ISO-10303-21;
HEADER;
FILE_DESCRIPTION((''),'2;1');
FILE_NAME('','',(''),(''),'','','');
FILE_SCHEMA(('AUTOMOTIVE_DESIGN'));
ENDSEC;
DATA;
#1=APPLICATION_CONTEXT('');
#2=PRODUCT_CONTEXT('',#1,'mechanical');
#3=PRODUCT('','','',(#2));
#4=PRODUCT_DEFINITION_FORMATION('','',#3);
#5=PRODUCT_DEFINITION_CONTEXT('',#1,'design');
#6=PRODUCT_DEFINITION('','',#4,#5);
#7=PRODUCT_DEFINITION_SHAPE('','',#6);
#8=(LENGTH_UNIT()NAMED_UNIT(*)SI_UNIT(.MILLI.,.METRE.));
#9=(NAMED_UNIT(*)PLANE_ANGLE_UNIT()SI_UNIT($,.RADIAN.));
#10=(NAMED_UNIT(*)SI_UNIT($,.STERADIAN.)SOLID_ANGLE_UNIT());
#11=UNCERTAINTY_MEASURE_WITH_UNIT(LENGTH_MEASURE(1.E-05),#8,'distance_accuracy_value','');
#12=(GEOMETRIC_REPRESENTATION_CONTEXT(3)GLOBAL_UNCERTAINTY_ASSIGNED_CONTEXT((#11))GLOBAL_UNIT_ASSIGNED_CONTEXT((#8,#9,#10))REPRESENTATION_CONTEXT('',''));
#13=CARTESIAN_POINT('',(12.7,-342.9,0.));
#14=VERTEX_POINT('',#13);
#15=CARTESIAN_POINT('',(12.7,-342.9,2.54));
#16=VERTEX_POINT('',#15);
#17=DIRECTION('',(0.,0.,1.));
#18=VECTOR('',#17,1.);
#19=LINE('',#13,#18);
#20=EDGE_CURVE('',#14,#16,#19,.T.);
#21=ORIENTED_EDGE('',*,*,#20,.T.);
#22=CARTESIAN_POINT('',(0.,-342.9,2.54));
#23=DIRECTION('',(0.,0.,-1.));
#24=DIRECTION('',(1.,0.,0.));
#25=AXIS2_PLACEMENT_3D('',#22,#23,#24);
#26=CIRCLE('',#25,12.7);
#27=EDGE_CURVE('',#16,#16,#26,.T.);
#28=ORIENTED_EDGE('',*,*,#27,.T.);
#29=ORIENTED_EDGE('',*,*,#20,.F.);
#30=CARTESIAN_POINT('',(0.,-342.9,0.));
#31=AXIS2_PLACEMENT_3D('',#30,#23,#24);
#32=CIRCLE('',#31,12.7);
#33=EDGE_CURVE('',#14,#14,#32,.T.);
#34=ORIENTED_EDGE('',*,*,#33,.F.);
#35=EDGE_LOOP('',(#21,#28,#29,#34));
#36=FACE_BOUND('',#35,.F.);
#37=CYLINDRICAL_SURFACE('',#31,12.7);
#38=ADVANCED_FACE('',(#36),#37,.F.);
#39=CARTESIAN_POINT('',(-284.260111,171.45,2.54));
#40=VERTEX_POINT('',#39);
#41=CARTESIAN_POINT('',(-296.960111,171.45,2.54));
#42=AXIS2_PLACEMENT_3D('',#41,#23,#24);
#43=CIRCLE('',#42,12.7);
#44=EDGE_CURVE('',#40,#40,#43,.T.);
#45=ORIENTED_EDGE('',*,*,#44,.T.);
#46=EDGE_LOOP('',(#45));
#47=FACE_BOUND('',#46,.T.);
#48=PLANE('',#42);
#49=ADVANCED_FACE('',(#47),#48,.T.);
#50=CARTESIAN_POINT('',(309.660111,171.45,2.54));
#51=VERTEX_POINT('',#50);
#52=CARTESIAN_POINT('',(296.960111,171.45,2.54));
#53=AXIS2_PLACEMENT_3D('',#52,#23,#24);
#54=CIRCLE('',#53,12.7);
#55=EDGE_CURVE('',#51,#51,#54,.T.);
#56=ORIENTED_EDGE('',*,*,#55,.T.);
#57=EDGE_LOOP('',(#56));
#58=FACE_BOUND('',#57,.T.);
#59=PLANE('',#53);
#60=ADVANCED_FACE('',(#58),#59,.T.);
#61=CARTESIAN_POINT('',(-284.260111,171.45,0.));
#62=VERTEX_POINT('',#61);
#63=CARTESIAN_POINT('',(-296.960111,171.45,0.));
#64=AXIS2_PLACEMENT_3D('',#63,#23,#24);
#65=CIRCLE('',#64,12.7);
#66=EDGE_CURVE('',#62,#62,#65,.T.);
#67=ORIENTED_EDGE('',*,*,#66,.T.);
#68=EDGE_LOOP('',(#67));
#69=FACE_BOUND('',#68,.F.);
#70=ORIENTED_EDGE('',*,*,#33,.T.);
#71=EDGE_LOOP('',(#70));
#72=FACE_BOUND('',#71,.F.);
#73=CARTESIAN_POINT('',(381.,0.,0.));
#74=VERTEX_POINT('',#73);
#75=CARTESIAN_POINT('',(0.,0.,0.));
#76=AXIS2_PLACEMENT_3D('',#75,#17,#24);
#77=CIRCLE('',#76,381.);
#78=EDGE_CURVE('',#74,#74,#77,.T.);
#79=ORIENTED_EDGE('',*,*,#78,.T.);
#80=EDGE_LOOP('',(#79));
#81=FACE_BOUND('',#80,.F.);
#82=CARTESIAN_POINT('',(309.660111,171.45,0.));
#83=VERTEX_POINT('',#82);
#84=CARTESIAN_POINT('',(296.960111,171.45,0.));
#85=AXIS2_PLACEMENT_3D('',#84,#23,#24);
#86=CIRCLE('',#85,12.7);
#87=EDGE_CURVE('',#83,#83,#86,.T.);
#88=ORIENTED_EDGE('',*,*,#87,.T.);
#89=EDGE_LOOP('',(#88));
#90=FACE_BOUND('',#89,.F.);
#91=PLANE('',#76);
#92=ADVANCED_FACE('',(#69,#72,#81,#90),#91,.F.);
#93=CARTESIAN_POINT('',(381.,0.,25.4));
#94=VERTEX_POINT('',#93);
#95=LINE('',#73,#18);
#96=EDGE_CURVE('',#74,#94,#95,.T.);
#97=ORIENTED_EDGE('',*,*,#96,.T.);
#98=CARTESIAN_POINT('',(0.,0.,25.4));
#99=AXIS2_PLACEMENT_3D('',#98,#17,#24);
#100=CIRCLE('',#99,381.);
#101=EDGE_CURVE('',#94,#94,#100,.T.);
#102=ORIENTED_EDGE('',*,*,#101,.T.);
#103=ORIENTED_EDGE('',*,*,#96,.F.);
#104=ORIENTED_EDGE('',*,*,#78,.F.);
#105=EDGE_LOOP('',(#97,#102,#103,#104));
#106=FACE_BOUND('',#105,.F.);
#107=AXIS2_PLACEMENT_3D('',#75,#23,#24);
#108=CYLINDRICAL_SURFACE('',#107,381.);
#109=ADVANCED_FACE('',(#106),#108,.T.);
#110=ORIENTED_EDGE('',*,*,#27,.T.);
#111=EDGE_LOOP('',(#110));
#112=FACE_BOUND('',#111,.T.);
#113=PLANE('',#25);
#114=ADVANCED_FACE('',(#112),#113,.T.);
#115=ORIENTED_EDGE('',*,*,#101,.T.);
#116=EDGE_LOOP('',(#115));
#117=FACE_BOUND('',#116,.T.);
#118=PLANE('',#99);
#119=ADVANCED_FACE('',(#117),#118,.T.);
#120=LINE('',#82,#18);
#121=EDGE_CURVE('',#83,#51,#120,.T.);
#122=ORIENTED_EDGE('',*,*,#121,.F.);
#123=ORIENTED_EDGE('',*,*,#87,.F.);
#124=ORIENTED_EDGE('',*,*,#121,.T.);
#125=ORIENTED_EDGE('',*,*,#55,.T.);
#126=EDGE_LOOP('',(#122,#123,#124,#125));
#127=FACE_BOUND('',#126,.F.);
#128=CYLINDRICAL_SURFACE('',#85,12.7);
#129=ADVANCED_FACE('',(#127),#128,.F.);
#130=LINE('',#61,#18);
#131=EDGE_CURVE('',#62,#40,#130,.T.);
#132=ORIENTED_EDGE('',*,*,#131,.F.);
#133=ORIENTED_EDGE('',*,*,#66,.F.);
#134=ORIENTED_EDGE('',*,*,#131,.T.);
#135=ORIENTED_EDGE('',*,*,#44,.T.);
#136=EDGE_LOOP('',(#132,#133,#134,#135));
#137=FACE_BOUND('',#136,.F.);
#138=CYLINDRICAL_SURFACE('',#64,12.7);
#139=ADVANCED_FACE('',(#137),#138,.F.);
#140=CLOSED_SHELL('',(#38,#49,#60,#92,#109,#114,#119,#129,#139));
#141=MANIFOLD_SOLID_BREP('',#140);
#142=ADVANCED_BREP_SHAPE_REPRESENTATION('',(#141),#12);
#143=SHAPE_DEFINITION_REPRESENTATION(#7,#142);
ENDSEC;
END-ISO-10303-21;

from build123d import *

# Parameters (mm, degrees)
F0_R     = 381
F1_DEPTH = 25.4
F2_R     = 12.7
F3_DEPTH = 2.54


with BuildPart() as f1:
    # F0 (on Top) → F1 (new body)
    with BuildSketch(Plane.XY):
        Circle(F0_R)
    extrude(amount=F1_DEPTH)

    # F2 (on face) → F3 (cut)
    with BuildSketch(Plane(origin=(0, 0, 0), x_dir=(1, 0, 0), z_dir=(0, 0, -1))):
        with Locations((0, 342.9)):
            Circle(F2_R)
        with Locations((-296.960111, -171.45)):
            Circle(F2_R)
        with Locations((296.960111, -171.45)):
            Circle(F2_R)
    extrude(amount=-F3_DEPTH, mode=Mode.SUBTRACT)


solid = f1.part
